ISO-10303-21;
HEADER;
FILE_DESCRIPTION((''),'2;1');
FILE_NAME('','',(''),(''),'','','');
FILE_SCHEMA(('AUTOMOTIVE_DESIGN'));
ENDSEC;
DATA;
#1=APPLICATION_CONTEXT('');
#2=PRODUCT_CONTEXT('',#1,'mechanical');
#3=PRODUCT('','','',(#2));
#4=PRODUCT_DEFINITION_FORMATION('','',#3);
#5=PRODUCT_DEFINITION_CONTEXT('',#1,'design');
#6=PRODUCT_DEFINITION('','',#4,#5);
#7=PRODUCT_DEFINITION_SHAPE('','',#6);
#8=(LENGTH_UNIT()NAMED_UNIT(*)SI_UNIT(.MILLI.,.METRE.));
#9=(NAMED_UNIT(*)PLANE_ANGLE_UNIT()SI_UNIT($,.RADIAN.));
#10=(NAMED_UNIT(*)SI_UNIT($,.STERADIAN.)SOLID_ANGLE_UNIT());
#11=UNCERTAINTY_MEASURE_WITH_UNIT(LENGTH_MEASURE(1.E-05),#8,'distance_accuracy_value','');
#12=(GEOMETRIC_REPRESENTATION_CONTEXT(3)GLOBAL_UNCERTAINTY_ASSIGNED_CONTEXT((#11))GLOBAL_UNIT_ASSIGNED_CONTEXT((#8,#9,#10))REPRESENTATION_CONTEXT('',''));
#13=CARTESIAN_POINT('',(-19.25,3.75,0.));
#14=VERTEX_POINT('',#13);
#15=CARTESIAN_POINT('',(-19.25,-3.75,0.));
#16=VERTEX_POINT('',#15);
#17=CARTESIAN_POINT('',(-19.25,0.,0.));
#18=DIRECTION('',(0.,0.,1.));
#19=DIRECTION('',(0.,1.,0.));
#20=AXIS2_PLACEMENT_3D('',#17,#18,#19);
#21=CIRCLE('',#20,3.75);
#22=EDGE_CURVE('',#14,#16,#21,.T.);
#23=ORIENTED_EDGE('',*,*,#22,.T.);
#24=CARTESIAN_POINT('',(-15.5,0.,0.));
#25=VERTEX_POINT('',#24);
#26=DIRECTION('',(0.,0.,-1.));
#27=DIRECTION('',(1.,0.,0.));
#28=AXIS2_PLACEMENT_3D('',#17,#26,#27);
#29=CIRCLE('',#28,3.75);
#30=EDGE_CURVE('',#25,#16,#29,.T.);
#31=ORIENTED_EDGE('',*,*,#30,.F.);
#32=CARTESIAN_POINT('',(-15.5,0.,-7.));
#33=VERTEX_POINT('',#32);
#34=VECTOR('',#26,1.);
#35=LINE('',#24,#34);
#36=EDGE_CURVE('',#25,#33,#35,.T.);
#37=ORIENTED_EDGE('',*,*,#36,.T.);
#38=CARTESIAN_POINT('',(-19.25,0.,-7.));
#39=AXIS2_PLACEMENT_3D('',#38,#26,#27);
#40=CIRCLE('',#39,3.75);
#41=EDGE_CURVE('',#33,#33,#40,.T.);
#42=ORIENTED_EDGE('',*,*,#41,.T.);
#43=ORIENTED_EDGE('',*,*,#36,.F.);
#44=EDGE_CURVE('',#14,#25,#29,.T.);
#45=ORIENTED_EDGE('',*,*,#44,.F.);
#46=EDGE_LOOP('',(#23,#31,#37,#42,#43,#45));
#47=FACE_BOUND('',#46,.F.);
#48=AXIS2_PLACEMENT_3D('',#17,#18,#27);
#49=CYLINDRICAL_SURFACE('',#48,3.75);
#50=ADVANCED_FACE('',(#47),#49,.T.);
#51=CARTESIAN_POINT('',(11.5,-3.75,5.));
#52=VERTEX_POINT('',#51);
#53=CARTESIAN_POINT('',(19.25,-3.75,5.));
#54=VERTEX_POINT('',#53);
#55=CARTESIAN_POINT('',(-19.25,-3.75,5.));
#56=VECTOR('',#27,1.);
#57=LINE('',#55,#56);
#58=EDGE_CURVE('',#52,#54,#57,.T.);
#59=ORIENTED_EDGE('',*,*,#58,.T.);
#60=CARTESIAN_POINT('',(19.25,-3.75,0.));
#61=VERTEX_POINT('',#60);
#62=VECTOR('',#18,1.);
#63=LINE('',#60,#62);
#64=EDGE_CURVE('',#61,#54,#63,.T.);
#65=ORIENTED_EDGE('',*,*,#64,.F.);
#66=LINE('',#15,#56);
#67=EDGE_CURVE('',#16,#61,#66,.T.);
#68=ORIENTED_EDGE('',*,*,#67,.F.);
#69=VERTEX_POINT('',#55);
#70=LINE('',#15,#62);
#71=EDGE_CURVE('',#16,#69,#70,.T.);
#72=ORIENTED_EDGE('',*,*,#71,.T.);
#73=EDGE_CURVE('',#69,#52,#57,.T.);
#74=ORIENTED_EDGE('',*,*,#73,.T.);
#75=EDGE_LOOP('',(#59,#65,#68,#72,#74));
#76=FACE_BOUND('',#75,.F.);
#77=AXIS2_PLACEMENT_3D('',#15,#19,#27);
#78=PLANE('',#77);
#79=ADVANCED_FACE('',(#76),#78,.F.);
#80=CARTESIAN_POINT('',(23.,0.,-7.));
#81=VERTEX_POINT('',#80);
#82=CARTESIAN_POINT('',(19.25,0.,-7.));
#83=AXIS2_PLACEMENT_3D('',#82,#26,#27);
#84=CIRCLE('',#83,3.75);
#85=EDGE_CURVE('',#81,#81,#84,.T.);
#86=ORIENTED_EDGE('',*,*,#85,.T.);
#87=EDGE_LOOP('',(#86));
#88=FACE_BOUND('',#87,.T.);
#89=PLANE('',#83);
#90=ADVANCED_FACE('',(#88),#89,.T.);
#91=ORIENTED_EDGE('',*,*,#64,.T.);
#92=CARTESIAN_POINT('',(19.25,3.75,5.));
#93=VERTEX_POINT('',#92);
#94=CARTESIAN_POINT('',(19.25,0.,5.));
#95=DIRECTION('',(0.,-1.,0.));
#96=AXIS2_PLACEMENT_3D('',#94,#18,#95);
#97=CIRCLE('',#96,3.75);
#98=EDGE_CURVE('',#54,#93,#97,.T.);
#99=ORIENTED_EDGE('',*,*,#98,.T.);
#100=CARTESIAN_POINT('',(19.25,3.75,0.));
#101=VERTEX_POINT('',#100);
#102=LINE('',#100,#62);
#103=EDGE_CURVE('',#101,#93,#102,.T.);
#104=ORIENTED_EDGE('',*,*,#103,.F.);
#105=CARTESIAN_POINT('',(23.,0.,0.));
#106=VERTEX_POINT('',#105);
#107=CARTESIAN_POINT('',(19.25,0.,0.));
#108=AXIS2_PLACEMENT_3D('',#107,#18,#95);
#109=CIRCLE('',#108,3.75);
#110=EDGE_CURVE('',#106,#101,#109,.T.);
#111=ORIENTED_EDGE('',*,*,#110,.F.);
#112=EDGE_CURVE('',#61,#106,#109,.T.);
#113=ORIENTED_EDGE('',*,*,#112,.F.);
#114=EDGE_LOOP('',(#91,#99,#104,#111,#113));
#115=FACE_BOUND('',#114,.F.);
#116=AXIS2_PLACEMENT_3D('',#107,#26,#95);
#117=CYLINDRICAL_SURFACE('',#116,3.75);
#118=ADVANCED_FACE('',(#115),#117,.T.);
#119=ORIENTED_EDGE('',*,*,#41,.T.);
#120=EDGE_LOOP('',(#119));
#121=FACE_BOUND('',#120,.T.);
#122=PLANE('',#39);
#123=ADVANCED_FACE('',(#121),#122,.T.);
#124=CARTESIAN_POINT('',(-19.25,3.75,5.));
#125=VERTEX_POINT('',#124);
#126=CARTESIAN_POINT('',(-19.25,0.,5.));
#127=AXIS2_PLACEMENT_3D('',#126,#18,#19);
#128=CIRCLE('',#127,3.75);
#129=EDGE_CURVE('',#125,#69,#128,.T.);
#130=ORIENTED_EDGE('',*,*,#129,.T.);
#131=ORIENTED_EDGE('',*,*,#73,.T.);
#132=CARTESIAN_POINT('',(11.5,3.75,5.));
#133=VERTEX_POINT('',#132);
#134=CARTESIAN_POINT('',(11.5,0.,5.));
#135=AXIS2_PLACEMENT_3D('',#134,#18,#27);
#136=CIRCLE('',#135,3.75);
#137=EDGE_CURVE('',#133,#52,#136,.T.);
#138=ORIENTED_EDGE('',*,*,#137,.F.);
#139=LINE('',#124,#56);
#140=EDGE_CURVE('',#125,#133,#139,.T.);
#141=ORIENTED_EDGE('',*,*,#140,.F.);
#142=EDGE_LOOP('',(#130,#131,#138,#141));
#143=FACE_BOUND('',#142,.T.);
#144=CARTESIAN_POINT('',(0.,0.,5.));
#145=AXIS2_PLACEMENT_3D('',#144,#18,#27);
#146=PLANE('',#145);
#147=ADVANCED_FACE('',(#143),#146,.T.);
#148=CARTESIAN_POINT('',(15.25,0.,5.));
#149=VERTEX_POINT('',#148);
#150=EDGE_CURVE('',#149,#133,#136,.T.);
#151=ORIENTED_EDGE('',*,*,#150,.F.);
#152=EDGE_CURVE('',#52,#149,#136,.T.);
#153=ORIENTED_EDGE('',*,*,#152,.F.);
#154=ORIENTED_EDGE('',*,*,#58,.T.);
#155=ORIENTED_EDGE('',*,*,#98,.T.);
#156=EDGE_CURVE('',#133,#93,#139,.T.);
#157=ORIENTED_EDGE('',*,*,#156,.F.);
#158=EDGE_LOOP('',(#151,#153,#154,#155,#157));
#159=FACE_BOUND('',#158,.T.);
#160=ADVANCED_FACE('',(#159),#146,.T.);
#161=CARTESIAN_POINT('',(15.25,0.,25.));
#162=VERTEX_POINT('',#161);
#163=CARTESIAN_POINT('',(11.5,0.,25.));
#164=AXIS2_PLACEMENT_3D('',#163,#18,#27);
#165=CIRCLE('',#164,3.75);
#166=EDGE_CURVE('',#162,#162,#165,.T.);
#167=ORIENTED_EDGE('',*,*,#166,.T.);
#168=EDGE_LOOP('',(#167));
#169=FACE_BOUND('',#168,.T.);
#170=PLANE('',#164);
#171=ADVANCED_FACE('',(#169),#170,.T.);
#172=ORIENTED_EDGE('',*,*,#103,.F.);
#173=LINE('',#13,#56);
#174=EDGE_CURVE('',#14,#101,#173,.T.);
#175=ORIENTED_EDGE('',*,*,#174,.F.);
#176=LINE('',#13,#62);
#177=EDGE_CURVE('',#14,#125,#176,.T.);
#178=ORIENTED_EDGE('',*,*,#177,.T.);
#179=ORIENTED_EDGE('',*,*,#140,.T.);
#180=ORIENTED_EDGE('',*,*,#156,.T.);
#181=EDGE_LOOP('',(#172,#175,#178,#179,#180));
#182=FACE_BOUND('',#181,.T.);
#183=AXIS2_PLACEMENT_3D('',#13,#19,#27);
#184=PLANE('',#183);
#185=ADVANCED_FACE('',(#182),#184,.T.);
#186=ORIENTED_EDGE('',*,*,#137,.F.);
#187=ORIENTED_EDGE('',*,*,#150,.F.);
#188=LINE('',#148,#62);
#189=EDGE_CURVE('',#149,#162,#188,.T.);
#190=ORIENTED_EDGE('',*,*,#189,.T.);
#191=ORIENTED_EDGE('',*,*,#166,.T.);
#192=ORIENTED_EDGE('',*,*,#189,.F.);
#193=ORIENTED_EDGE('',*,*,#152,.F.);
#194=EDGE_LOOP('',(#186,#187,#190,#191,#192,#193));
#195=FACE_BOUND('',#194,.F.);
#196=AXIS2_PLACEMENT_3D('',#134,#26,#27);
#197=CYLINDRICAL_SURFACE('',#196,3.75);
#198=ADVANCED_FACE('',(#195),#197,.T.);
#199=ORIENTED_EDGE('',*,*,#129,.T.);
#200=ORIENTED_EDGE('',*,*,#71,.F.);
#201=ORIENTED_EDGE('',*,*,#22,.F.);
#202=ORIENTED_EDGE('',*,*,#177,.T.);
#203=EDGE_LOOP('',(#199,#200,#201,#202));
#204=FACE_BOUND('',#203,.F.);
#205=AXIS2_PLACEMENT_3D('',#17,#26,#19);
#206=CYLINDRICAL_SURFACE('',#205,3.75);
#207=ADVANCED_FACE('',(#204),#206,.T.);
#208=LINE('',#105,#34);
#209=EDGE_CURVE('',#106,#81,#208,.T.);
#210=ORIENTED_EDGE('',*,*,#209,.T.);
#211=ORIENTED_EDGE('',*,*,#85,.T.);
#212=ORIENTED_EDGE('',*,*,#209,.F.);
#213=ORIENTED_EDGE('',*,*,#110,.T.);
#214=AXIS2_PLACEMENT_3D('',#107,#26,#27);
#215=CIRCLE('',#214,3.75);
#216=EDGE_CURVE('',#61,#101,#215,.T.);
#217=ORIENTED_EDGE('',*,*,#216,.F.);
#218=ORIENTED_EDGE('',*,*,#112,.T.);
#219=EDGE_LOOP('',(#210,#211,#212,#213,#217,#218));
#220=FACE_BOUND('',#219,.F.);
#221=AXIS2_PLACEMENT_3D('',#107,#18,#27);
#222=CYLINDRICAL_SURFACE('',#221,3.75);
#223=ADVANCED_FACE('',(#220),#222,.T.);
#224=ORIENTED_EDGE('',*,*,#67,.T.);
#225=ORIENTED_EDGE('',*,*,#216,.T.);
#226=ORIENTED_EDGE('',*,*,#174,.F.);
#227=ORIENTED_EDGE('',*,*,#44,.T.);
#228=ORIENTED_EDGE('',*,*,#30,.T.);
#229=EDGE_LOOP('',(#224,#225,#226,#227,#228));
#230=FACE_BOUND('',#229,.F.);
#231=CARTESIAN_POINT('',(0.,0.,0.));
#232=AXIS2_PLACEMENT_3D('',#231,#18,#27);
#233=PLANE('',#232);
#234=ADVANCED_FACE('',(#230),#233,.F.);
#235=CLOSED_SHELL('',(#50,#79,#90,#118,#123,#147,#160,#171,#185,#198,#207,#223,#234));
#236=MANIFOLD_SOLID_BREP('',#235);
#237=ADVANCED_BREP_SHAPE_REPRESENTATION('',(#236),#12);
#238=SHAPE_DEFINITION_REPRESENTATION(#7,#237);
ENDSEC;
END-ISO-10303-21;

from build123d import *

# Parameters (mm, degrees)
PAD003_DEPTH = 5
SKETCH003_R  = 3.75
PAD004_DEPTH = 20
SKETCH004_R  = 3.75
PAD005_DEPTH = 7


with BuildPart() as part:
    # Sketch002 → Pad003 (new body)
    with BuildSketch(Plane.XY):
        with BuildLine():
            ThreePointArc((-19.25, 3.75), (-23, 0), (-19.25, -3.75))
            Line((-19.25, -3.75), (19.25, -3.75))
            ThreePointArc((19.25, -3.75), (23, 0), (19.25, 3.75))
            Line((-19.25, 3.75), (19.25, 3.75))
        make_face()
    extrude(amount=PAD003_DEPTH)

    # Sketch003 (on Face6 of Pad003) → Pad004 (join)
    with BuildSketch(Plane.XY.offset(5)):
        with Locations((11.5, 0)):
            Circle(SKETCH003_R)
    extrude(amount=PAD004_DEPTH)

    # Sketch004 (on Face4 of Pad004) → Pad005 (join)
    with BuildSketch(Plane(origin=(0, 0, 0), x_dir=(1, 0, 0), z_dir=(0, 0, -1))):
        with Locations((-19.25, 0)):
            Circle(SKETCH004_R)
        with Locations((19.25, 0)):
            Circle(SKETCH004_R)
    extrude(amount=PAD005_DEPTH)


solid = part.part
